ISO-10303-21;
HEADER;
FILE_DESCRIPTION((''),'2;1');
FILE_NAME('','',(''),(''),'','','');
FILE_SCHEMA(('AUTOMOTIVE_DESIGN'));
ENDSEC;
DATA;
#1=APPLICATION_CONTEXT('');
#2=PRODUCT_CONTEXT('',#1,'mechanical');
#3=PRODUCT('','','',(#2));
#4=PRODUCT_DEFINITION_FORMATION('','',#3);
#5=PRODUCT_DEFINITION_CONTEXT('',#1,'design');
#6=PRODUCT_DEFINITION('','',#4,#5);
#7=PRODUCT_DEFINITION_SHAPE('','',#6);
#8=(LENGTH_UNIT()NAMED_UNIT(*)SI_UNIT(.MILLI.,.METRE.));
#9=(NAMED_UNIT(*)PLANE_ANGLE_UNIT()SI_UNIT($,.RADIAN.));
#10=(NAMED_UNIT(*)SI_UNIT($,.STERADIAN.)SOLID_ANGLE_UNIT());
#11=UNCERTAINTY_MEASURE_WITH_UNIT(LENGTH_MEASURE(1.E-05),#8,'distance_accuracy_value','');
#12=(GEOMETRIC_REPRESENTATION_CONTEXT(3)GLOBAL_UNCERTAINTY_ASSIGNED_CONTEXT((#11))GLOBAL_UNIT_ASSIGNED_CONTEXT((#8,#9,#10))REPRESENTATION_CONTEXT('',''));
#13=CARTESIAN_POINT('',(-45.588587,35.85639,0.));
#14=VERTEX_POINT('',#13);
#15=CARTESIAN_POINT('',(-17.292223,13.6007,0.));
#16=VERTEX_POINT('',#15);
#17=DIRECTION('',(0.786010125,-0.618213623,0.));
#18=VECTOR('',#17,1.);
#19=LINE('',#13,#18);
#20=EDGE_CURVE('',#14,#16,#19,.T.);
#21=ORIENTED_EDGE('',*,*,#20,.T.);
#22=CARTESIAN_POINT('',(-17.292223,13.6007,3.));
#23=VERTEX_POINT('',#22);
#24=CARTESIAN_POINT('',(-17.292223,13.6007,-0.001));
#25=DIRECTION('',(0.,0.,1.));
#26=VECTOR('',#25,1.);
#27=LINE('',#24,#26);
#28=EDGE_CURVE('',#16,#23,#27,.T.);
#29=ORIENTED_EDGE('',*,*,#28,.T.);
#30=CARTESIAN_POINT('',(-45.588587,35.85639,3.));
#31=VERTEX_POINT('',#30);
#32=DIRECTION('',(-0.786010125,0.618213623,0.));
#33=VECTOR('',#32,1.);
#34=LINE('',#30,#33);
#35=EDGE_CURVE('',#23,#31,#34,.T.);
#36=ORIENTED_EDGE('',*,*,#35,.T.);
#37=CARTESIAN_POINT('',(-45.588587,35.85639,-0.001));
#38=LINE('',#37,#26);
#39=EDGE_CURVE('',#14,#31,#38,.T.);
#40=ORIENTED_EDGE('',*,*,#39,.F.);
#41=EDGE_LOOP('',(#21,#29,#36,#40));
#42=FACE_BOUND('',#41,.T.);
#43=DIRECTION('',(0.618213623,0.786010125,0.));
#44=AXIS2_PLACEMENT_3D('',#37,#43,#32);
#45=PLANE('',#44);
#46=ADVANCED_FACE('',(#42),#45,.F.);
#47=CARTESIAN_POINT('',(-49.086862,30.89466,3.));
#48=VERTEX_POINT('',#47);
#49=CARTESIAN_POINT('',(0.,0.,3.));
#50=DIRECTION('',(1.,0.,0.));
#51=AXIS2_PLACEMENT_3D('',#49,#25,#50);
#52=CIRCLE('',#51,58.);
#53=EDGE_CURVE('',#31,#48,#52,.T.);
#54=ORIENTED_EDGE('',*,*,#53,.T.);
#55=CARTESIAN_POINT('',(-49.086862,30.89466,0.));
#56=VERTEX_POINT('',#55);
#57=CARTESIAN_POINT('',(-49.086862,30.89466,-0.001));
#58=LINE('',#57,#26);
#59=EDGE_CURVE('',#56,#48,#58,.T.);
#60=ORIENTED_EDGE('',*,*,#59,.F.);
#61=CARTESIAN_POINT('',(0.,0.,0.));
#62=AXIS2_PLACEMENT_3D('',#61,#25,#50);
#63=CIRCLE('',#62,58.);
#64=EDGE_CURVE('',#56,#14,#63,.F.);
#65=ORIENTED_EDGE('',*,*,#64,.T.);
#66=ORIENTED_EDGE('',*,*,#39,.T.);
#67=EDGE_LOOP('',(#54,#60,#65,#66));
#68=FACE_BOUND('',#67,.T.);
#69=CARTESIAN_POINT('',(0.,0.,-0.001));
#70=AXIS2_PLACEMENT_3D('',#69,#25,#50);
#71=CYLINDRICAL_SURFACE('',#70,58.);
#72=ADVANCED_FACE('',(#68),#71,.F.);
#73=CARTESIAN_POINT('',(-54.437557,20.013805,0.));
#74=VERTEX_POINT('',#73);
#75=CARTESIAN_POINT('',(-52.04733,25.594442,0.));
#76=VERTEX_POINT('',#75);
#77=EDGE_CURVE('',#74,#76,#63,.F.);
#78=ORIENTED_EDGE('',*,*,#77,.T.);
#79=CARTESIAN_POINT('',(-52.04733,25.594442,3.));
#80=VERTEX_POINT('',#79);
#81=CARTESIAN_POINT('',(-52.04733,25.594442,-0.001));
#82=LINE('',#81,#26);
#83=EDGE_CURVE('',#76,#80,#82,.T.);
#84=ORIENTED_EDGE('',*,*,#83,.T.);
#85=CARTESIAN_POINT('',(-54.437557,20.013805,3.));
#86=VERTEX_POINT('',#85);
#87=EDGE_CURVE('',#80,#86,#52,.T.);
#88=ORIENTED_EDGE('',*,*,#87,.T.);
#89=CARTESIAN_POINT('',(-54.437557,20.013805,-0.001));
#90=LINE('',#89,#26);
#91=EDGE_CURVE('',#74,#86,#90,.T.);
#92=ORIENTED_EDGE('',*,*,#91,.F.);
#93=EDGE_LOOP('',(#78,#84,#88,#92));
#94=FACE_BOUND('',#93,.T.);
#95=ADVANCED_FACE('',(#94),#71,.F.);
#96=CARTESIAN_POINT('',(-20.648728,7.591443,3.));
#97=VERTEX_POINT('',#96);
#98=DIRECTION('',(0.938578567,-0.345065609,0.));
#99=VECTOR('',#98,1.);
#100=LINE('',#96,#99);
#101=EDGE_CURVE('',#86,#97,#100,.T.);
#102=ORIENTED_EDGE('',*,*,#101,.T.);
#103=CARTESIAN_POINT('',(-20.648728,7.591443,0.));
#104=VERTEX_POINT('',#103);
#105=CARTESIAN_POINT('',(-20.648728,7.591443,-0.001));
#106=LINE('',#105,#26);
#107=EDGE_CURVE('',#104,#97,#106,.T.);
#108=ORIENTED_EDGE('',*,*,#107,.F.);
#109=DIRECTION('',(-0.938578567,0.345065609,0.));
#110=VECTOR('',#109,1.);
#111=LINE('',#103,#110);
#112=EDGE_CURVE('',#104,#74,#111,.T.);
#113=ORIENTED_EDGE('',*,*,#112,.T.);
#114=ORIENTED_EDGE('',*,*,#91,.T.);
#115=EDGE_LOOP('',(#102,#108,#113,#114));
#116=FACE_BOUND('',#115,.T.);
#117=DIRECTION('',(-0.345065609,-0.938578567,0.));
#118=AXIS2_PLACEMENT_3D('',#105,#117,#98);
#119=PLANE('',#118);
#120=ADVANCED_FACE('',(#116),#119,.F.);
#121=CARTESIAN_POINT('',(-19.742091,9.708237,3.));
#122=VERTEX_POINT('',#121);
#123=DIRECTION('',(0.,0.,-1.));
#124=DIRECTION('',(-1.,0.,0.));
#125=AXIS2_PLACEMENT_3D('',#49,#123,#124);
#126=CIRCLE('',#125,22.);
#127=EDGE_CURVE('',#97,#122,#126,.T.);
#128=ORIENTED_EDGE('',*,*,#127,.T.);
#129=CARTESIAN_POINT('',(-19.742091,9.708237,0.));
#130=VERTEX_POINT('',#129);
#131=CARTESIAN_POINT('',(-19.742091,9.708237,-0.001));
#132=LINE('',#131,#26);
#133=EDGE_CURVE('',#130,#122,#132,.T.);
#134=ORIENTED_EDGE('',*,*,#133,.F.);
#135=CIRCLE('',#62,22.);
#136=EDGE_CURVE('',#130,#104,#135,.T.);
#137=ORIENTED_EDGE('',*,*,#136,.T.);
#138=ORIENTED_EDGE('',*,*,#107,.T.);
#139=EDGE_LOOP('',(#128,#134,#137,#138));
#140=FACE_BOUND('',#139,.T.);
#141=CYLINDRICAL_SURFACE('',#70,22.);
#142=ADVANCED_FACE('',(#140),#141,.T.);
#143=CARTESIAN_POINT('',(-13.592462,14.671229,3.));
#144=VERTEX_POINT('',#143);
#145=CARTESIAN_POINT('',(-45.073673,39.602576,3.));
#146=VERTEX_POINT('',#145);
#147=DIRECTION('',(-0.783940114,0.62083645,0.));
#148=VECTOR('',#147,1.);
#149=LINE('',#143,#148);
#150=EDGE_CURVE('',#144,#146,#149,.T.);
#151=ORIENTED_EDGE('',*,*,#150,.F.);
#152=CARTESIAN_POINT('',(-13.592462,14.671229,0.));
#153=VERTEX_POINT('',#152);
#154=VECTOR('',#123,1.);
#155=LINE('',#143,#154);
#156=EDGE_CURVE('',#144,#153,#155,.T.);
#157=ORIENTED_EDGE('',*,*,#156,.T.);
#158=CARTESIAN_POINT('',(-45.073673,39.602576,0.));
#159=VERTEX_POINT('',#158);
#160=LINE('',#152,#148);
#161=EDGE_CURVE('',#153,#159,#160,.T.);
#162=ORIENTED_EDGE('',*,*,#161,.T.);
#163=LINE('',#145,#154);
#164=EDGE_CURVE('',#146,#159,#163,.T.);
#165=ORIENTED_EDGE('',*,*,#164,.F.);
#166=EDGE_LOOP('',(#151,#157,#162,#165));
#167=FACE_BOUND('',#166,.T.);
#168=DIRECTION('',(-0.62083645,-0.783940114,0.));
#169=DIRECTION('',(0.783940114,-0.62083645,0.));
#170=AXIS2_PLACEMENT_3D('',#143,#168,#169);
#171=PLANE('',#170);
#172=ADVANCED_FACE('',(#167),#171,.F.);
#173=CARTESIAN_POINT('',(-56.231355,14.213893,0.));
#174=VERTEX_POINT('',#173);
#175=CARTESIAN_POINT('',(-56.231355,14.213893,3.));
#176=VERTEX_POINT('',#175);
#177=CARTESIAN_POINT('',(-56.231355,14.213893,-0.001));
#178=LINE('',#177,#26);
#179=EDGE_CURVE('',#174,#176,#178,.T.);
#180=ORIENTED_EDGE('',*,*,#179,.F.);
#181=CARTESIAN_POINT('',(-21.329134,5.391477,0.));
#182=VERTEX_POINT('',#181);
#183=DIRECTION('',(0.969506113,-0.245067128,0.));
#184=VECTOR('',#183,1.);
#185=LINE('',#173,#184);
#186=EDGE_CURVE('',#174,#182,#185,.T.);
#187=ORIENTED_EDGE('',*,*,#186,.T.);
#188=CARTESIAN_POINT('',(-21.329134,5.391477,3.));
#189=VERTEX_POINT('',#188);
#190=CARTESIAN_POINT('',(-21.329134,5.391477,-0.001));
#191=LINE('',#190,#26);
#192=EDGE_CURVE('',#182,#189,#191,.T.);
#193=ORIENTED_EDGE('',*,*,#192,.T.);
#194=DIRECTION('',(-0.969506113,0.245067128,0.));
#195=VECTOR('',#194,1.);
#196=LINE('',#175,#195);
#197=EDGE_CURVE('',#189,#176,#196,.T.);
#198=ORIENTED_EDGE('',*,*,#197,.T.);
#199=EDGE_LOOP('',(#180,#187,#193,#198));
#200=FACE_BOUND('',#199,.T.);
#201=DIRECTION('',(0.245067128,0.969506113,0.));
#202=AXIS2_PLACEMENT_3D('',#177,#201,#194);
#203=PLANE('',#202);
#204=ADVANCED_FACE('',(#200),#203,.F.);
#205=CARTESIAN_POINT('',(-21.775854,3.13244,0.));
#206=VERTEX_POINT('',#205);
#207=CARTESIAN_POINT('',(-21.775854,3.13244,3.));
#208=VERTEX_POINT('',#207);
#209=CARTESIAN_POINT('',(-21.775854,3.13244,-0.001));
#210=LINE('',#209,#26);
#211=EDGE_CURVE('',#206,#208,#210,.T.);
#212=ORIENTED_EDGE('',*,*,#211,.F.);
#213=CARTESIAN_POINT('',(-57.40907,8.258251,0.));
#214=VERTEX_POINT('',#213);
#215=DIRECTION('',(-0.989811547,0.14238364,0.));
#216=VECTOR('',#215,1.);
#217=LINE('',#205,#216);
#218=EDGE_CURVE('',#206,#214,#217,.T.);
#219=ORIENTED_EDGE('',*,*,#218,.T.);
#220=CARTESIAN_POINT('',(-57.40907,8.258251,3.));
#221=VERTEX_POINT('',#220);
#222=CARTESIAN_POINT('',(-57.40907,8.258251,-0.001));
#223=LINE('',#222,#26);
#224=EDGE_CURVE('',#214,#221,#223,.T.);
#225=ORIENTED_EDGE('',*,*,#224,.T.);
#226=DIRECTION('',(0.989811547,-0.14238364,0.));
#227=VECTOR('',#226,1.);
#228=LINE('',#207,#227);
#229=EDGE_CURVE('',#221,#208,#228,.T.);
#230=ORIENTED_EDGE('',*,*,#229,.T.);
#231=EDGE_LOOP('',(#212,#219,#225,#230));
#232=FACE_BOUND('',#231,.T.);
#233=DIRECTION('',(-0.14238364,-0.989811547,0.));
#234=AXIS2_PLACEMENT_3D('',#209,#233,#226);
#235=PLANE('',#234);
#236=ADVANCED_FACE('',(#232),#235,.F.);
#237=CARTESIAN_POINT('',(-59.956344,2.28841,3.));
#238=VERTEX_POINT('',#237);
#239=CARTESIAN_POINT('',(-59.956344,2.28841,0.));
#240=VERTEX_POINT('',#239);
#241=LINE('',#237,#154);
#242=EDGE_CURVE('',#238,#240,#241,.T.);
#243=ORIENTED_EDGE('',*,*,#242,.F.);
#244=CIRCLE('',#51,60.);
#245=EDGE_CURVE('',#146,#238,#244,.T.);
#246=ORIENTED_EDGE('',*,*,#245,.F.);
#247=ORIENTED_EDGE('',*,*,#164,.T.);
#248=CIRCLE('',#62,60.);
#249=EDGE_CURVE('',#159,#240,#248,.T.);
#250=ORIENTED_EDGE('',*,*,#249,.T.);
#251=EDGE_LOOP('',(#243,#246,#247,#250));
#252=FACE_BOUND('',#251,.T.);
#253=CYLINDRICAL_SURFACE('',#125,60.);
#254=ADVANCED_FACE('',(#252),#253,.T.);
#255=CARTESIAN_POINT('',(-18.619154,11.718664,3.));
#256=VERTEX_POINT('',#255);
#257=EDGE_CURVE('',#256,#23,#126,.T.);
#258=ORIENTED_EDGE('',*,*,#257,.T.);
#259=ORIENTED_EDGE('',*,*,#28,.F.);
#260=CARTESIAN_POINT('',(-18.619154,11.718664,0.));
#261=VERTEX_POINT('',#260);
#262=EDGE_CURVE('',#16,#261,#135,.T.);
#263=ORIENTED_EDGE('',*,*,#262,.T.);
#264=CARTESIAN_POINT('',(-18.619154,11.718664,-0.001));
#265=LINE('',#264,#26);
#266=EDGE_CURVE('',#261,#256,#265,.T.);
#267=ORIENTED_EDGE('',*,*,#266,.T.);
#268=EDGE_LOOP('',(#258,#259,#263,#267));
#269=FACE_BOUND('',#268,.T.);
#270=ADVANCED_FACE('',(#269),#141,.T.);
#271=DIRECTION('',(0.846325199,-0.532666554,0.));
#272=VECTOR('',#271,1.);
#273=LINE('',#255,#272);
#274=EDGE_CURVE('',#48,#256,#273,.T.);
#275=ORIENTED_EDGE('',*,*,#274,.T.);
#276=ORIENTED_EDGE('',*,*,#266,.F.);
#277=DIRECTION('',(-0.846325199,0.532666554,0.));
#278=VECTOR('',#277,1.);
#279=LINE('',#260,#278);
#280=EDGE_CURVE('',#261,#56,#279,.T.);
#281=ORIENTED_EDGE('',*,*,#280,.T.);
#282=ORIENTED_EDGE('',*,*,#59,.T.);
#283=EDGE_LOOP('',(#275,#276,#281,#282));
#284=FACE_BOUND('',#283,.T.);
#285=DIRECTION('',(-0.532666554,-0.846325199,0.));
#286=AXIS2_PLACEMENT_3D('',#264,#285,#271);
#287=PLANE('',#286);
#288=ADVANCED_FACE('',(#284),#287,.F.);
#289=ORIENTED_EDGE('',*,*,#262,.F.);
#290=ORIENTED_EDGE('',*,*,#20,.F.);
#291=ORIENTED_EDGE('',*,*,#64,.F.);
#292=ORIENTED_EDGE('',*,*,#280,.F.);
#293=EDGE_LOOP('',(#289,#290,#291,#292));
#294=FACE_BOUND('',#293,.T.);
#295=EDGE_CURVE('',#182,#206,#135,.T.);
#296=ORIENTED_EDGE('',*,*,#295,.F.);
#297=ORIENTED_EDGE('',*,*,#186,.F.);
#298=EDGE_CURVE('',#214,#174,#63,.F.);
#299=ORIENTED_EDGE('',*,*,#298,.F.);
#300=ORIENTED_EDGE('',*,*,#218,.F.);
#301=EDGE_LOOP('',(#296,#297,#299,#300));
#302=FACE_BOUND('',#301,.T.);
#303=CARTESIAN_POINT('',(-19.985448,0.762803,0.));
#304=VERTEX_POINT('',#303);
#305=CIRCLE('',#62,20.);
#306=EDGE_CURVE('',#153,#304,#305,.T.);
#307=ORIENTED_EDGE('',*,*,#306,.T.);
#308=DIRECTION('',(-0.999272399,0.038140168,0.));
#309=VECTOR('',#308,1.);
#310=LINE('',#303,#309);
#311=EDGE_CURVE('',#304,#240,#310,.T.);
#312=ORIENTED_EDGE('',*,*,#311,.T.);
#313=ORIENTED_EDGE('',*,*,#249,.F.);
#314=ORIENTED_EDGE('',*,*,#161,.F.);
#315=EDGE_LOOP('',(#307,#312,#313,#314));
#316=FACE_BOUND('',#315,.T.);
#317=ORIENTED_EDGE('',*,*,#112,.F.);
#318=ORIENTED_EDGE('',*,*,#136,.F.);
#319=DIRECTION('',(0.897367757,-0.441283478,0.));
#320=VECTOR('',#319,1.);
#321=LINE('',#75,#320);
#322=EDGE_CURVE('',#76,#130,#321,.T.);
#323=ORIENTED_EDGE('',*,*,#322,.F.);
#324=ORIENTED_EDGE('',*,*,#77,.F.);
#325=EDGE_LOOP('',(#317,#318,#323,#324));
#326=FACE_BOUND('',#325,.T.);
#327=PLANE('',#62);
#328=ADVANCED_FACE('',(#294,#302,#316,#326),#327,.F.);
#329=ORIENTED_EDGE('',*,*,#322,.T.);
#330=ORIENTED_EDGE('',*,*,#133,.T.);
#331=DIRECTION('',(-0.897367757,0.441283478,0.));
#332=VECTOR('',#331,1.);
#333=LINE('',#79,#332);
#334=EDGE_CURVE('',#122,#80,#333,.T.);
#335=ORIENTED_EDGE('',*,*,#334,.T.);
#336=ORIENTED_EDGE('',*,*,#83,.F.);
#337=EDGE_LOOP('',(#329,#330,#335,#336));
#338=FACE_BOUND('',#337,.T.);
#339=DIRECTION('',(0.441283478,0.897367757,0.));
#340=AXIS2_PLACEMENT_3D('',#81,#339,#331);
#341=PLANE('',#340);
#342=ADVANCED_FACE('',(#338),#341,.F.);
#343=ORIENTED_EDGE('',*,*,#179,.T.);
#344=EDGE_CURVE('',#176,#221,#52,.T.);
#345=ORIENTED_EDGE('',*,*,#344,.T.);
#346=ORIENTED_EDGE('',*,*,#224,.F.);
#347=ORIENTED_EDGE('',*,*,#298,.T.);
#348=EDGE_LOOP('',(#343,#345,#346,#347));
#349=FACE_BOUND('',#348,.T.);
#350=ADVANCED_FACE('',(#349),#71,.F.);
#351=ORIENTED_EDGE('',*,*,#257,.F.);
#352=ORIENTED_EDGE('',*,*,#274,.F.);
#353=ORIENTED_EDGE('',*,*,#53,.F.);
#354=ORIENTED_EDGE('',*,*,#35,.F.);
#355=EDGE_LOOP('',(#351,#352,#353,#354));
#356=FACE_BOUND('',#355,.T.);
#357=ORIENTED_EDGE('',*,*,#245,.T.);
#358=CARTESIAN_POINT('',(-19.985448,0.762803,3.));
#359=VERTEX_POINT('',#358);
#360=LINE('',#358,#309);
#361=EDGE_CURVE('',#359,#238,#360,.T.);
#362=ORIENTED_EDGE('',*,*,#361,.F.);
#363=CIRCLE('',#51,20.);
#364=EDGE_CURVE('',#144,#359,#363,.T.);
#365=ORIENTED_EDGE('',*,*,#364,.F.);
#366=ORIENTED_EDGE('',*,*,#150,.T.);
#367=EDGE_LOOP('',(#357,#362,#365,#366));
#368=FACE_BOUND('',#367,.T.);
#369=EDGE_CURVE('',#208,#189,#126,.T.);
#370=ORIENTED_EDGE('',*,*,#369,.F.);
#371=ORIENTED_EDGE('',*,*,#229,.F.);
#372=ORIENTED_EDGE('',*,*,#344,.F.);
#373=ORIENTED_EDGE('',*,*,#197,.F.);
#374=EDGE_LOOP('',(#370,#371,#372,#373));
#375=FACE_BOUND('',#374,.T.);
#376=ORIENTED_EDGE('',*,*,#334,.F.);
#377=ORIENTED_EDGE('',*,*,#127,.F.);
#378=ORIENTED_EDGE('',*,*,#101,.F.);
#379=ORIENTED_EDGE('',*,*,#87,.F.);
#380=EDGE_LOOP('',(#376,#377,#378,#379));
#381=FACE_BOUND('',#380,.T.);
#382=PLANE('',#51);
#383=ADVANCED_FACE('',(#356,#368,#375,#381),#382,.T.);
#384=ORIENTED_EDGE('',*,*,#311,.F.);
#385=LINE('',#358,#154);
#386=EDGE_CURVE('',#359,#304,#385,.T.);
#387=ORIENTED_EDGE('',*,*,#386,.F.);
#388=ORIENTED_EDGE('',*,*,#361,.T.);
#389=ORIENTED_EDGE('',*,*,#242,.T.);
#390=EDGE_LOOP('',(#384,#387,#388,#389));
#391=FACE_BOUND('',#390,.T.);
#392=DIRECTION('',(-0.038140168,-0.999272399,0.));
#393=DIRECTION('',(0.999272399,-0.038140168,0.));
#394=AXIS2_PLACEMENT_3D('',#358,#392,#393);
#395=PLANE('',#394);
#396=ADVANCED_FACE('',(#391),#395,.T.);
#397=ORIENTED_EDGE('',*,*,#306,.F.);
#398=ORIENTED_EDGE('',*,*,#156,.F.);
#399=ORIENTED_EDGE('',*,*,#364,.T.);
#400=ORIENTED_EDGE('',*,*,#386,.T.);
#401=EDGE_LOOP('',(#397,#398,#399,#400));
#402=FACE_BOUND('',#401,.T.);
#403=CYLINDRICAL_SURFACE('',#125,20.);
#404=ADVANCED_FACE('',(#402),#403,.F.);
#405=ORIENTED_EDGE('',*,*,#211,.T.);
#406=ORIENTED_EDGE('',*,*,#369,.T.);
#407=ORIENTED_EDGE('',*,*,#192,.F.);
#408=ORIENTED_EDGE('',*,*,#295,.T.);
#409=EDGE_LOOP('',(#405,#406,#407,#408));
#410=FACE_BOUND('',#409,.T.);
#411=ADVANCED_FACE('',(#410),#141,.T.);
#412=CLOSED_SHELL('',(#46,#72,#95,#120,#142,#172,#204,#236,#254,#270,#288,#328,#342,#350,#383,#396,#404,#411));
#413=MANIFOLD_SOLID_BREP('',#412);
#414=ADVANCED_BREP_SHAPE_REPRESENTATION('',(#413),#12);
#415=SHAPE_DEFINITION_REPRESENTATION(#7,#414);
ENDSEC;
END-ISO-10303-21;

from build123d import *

# Parameters (mm, degrees)
BOSS_EXTRUDE2_DEPTH = 3
CUT_EXTRUDE1_REACH  = 5


with BuildPart() as part:
    # Sketch1 → Boss-Extrude2 (new body)
    with BuildSketch(Plane.XY):
        with BuildLine():
            Line((-19.985447982, 0.762803358), (-59.956343946, 2.288410074))
            ThreePointArc((-59.956343946, 2.288410074), (-55.730717245, 22.228071336), (-45.073672701, 39.602576043))
            Line((-45.073672701, 39.602576043), (-13.592462366, 14.67122922))
            ThreePointArc((-13.592462366, 14.67122922), (-18.172234131, 8.352838241), (-19.985447982, 0.762803358))
        make_face()
    extrude(amount=BOSS_EXTRUDE2_DEPTH)

    # Sketch2 → Cut-Extrude1 (cut, up to next)
    with BuildSketch(Plane.XY.offset(3), mode=Mode.PRIVATE) as cut_extrude1_sk1:
        with BuildLine():
            Line((-45.58858723, 35.856390146), (-17.292222743, 13.600699711))
            ThreePointArc((-17.292222743, 13.600699711), (-17.980329977, 12.677055412), (-18.619154377, 11.718664185))
            Line((-18.619154377, 11.718664185), (-49.08686154, 30.894660124))
            ThreePointArc((-49.08686154, 30.894660124), (-47.402688122, 33.421327903), (-45.58858723, 35.856390146))
        make_face()
    cut_extrude1_tool1 = extrude(cut_extrude1_sk1.sketch, amount=-CUT_EXTRUDE1_REACH, mode=Mode.PRIVATE) & part.part
    add(cut_extrude1_tool1.solids().sort_by_distance((-34.882242, 24.593771, 3))[0], mode=Mode.SUBTRACT)
    # Sketch2 → Cut-Extrude1 (cut, up to next)
    with BuildSketch(Plane.XY.offset(3), mode=Mode.PRIVATE) as cut_extrude1_sk2:
        with BuildLine():
            Line((-52.047329922, 25.59444174), (-19.74209066, 9.708236522))
            ThreePointArc((-19.74209066, 9.708236522), (-20.223124653, 8.661710528), (-20.648728467, 7.591443388))
            Line((-20.648728467, 7.591443388), (-54.437556866, 20.013805296))
            ThreePointArc((-54.437556866, 20.013805296), (-53.315510448, 22.835418665), (-52.047329922, 25.59444174))
        make_face()
    cut_extrude1_tool2 = extrude(cut_extrude1_sk2.sketch, amount=-CUT_EXTRUDE1_REACH, mode=Mode.PRIVATE) & part.part
    add(cut_extrude1_tool2.solids().sort_by_distance((-39.233314, 16.803912, 3))[0], mode=Mode.SUBTRACT)
    # Sketch2 → Cut-Extrude1 (cut, up to next)
    with BuildSketch(Plane.XY.offset(3), mode=Mode.PRIVATE) as cut_extrude1_sk3:
        with BuildLine():
            Line((-56.231354546, 14.213893413), (-21.329134483, 5.391476812))
            ThreePointArc((-21.329134483, 5.391476812), (-21.58207174, 4.267807331), (-21.775854038, 3.132440087))
            Line((-21.775854038, 3.132440087), (-57.409069737, 8.25825114))
            ThreePointArc((-57.409069737, 8.25825114), (-56.898189132, 11.251492055), (-56.231354546, 14.213893413))
        make_face()
    cut_extrude1_tool3 = extrude(cut_extrude1_sk3.sketch, amount=-CUT_EXTRUDE1_REACH, mode=Mode.PRIVATE) & part.part
    add(cut_extrude1_tool3.solids().sort_by_distance((-41.869702, 8.279642, 3))[0], mode=Mode.SUBTRACT)


solid = part.part
